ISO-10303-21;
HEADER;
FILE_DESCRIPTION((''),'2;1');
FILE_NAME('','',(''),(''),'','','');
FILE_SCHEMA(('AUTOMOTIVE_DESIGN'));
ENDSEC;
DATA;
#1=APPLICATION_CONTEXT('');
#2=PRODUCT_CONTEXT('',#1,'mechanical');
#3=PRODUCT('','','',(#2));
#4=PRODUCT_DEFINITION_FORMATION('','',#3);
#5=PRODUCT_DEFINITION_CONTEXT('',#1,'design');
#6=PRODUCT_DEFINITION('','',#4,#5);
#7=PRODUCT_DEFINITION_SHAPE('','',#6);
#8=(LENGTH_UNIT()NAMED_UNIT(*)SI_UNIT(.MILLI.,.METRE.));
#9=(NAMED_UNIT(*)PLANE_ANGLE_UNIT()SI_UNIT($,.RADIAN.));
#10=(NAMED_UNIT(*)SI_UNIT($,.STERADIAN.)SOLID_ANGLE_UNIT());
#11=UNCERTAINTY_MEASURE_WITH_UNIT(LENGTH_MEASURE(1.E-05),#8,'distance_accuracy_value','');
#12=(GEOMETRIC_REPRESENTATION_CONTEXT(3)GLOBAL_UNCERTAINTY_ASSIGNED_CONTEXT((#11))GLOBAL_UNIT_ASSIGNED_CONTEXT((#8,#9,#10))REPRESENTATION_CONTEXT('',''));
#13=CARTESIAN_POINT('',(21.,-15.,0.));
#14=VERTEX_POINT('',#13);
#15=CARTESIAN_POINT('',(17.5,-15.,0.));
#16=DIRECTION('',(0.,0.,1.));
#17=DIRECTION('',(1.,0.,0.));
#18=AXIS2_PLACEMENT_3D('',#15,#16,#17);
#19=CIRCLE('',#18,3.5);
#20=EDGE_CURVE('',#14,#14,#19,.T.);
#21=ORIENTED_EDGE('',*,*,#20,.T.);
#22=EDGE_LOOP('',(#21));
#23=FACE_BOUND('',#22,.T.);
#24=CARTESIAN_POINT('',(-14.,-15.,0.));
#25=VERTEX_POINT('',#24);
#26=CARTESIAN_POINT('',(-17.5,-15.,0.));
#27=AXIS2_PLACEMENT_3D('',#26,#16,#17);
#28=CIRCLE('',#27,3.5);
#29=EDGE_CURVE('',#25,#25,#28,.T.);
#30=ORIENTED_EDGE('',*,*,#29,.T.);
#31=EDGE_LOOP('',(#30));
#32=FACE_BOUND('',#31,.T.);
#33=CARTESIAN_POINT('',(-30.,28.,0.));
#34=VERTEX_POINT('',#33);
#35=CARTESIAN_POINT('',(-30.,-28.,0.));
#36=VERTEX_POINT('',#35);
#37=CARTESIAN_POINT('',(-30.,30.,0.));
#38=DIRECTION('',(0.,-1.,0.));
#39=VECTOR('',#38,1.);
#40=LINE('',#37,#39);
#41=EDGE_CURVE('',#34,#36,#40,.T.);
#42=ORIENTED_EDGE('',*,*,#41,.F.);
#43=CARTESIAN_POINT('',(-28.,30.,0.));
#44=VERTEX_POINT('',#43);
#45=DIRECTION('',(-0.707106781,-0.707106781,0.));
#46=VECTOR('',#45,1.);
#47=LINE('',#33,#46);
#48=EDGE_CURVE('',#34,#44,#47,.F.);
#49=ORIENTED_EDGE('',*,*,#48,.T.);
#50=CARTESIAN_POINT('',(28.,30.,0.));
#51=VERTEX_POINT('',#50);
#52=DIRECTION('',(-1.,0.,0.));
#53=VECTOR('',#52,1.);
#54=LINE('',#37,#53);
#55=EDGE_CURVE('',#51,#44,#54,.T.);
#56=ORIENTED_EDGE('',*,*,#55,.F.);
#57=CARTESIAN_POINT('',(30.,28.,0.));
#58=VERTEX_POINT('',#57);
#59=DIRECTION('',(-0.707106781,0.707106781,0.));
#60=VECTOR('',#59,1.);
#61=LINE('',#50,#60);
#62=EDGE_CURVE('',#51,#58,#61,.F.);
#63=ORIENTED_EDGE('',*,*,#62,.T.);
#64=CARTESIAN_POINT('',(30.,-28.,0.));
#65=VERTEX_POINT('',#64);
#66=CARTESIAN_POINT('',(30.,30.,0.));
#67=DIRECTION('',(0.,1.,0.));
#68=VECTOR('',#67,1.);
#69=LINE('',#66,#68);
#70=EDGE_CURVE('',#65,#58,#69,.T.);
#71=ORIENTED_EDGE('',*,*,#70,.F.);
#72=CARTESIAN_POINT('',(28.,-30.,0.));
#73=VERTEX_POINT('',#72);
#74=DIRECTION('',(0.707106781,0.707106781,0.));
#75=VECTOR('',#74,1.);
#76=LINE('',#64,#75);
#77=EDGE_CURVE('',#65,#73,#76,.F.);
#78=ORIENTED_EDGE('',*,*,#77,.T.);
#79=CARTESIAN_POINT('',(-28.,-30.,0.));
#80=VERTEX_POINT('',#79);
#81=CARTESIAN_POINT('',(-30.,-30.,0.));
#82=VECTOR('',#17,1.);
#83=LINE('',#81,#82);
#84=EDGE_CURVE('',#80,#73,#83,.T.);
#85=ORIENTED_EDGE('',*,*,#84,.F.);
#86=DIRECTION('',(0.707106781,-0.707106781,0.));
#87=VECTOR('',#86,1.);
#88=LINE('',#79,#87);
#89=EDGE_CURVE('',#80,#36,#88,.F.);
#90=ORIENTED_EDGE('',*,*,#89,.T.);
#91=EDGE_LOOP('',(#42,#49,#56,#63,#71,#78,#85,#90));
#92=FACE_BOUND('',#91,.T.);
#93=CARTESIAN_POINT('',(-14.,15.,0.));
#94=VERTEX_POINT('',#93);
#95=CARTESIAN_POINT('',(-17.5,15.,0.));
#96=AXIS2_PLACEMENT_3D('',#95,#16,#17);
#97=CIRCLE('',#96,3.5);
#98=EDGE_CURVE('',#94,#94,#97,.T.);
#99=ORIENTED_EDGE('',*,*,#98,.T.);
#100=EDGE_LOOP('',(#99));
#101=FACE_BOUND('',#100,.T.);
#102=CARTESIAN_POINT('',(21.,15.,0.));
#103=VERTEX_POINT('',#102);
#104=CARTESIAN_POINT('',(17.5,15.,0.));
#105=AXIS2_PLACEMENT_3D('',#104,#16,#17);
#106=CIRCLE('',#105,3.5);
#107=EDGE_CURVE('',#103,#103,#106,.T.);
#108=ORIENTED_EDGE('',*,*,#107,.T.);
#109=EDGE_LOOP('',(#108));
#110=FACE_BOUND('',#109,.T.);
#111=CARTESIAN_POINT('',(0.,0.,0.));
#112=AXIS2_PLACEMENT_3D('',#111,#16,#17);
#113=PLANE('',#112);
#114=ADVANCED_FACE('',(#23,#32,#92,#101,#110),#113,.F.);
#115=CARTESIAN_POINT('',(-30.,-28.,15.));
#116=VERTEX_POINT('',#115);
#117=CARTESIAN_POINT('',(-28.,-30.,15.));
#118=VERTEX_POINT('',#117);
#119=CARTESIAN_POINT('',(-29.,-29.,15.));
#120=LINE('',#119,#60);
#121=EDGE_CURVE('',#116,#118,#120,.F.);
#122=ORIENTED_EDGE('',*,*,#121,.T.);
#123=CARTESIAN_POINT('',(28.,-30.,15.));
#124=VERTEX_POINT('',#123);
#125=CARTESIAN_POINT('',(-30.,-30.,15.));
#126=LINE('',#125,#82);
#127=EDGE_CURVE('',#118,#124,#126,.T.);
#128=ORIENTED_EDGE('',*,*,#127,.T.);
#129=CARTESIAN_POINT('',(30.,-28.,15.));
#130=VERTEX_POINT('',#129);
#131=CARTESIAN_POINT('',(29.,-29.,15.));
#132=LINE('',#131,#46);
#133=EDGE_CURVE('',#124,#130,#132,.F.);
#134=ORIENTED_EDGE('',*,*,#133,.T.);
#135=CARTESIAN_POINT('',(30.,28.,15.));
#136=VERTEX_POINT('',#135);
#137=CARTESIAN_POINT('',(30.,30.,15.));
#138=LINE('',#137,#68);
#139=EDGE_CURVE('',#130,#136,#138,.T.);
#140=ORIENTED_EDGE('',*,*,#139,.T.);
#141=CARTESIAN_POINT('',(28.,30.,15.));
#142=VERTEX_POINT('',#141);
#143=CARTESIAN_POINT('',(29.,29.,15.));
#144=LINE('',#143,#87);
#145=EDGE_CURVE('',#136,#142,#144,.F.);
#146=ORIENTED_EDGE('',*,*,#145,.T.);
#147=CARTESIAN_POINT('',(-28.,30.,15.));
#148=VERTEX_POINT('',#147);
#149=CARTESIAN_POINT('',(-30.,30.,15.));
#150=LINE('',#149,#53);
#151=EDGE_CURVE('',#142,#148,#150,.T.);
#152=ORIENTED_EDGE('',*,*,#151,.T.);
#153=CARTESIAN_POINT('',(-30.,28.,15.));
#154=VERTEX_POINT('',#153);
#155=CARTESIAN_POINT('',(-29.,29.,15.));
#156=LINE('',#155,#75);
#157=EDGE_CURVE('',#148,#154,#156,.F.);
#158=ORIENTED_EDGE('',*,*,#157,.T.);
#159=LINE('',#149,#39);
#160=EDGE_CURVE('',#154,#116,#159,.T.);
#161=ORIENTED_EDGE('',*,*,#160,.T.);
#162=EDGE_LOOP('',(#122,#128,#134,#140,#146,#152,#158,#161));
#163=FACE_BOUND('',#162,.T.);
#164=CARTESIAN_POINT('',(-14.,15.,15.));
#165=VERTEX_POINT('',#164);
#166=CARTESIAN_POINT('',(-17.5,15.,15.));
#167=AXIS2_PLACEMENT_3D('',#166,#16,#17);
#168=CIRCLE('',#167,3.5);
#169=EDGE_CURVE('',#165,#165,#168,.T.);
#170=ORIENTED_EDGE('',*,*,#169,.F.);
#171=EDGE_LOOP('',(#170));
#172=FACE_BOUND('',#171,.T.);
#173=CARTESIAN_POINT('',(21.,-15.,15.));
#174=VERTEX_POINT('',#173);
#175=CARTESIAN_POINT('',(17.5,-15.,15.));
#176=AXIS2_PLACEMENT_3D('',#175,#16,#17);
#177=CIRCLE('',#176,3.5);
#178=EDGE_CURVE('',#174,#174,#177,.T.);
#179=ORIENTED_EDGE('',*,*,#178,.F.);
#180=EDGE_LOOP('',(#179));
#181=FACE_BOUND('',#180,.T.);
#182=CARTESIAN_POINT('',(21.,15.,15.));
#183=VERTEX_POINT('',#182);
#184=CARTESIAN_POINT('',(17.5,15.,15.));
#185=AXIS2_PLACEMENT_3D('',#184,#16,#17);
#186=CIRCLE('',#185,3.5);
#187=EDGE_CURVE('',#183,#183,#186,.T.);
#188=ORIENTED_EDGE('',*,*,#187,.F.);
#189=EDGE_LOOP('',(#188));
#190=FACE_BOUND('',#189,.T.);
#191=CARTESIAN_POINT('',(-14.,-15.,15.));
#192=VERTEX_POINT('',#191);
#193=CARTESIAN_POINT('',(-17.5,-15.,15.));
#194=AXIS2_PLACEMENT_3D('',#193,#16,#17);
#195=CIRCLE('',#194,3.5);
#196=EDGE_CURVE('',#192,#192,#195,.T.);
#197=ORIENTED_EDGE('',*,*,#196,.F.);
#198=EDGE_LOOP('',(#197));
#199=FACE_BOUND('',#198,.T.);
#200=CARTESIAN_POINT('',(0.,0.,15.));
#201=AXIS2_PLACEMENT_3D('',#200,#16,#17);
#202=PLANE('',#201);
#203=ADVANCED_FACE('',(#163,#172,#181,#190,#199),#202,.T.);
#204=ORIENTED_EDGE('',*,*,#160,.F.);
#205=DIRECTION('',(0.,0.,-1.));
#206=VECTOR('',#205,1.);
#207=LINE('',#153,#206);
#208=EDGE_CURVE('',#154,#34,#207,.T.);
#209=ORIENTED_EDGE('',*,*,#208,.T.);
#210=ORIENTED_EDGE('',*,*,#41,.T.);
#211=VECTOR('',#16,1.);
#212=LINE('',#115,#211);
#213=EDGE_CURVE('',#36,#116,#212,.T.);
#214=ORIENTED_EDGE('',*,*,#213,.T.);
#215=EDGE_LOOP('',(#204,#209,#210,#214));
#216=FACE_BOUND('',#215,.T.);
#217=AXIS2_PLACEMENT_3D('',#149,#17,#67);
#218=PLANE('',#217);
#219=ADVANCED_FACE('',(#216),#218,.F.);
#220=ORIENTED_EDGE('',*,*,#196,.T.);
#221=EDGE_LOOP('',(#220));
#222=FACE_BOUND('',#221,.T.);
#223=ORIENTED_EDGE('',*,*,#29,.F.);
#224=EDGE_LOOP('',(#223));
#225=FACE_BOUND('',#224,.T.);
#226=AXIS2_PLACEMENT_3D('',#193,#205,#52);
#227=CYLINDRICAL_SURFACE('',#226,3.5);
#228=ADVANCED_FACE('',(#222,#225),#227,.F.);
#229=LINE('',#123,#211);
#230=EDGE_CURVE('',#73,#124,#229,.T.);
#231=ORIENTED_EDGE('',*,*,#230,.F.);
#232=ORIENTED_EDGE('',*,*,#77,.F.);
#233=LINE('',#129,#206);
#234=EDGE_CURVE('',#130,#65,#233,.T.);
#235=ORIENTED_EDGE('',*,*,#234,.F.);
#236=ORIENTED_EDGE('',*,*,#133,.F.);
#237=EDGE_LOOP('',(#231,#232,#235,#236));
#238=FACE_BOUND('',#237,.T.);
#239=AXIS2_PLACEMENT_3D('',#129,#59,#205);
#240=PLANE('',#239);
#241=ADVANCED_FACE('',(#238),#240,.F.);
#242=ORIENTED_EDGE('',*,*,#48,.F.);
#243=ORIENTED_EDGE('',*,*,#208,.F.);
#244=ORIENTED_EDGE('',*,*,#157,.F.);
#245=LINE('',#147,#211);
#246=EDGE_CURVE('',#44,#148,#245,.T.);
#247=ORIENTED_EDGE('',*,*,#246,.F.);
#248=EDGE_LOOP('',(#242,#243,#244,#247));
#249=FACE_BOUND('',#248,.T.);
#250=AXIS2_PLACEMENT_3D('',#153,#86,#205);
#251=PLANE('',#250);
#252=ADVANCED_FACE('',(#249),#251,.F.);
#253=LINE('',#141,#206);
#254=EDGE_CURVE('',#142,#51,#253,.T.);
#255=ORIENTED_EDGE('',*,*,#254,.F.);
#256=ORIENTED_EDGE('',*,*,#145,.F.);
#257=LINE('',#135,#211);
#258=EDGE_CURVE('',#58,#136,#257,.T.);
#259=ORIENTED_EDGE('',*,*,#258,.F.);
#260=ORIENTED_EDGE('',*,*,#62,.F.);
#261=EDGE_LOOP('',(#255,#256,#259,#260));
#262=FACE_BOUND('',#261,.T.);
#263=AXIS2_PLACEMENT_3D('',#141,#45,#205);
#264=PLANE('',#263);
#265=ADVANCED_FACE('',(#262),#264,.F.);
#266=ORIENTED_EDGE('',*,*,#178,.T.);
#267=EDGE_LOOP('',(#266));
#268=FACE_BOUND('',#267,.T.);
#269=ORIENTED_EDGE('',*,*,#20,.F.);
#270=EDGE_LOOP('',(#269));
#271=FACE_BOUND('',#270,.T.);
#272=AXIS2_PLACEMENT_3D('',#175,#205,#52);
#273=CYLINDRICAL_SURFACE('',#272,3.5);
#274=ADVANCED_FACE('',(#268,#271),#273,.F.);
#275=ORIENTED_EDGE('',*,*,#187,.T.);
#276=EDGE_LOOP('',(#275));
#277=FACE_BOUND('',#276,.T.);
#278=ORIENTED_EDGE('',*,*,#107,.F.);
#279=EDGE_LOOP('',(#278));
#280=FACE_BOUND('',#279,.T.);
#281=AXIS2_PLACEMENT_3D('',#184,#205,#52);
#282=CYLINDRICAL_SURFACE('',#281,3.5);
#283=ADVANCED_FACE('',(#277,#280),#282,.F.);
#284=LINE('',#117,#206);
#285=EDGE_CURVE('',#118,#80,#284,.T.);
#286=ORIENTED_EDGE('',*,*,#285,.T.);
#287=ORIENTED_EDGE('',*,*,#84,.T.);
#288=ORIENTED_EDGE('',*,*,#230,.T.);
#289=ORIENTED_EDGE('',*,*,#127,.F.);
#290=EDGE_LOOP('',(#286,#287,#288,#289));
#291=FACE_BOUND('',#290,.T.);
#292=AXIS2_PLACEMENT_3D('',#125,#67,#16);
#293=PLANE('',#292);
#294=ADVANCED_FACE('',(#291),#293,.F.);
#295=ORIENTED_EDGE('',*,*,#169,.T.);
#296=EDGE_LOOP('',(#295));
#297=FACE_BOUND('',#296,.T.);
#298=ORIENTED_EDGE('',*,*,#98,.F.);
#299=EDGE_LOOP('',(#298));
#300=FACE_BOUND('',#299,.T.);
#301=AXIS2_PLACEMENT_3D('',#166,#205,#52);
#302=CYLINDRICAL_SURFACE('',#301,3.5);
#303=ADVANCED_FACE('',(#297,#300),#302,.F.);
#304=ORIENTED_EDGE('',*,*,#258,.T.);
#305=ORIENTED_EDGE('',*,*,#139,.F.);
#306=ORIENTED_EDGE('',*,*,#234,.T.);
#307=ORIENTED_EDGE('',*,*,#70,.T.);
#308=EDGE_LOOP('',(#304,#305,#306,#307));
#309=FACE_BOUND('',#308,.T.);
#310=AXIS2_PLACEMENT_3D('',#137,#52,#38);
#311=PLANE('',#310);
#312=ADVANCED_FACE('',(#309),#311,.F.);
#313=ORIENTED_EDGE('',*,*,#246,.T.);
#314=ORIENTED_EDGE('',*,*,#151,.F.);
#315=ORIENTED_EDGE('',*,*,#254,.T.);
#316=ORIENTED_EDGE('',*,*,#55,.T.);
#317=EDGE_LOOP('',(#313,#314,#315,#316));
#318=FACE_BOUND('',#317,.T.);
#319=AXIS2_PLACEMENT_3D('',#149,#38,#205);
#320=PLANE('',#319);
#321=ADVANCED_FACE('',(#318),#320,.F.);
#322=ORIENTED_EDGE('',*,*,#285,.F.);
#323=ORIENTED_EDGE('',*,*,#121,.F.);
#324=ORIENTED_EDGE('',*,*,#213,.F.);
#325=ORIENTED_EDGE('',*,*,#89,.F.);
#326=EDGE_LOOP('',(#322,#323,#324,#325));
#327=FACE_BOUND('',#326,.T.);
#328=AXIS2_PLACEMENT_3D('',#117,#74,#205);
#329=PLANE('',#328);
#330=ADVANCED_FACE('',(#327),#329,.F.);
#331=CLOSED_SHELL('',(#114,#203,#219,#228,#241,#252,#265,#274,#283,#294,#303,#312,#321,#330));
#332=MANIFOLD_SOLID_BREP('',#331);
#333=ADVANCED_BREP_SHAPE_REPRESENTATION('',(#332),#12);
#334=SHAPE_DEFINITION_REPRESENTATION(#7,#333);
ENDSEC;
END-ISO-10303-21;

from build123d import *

# Parameters (mm, degrees)
SKETCH1_W           = 60
SKETCH1_H           = 60
SKETCH1_R           = 3.5
BOSS_EXTRUDE1_DEPTH = 15
CHAMFER1_SIZE       = 2


with BuildPart() as part:
    # Sketch1 → Boss-Extrude1 (new body)
    with BuildSketch(Plane.XY):
        Rectangle(SKETCH1_W, SKETCH1_H)
        with Locations((-17.5, 15)):
            Circle(SKETCH1_R, mode=Mode.SUBTRACT)
        with Locations((17.5, 15)):
            Circle(SKETCH1_R, mode=Mode.SUBTRACT)
        with Locations((-17.5, -15)):
            Circle(SKETCH1_R, mode=Mode.SUBTRACT)
        with Locations((17.5, -15)):
            Circle(SKETCH1_R, mode=Mode.SUBTRACT)
    extrude(amount=BOSS_EXTRUDE1_DEPTH)

    # Chamfer1
    chamfer1_edges = [part.edges().sort_by_distance(p)[0] for p in [
        (30, -30, 7.5),
        (-30, -30, 7.5),
        (-30, 30, 7.5),
        (30, 30, 7.5),
    ]]
    chamfer(chamfer1_edges, length=CHAMFER1_SIZE)


solid = part.part
